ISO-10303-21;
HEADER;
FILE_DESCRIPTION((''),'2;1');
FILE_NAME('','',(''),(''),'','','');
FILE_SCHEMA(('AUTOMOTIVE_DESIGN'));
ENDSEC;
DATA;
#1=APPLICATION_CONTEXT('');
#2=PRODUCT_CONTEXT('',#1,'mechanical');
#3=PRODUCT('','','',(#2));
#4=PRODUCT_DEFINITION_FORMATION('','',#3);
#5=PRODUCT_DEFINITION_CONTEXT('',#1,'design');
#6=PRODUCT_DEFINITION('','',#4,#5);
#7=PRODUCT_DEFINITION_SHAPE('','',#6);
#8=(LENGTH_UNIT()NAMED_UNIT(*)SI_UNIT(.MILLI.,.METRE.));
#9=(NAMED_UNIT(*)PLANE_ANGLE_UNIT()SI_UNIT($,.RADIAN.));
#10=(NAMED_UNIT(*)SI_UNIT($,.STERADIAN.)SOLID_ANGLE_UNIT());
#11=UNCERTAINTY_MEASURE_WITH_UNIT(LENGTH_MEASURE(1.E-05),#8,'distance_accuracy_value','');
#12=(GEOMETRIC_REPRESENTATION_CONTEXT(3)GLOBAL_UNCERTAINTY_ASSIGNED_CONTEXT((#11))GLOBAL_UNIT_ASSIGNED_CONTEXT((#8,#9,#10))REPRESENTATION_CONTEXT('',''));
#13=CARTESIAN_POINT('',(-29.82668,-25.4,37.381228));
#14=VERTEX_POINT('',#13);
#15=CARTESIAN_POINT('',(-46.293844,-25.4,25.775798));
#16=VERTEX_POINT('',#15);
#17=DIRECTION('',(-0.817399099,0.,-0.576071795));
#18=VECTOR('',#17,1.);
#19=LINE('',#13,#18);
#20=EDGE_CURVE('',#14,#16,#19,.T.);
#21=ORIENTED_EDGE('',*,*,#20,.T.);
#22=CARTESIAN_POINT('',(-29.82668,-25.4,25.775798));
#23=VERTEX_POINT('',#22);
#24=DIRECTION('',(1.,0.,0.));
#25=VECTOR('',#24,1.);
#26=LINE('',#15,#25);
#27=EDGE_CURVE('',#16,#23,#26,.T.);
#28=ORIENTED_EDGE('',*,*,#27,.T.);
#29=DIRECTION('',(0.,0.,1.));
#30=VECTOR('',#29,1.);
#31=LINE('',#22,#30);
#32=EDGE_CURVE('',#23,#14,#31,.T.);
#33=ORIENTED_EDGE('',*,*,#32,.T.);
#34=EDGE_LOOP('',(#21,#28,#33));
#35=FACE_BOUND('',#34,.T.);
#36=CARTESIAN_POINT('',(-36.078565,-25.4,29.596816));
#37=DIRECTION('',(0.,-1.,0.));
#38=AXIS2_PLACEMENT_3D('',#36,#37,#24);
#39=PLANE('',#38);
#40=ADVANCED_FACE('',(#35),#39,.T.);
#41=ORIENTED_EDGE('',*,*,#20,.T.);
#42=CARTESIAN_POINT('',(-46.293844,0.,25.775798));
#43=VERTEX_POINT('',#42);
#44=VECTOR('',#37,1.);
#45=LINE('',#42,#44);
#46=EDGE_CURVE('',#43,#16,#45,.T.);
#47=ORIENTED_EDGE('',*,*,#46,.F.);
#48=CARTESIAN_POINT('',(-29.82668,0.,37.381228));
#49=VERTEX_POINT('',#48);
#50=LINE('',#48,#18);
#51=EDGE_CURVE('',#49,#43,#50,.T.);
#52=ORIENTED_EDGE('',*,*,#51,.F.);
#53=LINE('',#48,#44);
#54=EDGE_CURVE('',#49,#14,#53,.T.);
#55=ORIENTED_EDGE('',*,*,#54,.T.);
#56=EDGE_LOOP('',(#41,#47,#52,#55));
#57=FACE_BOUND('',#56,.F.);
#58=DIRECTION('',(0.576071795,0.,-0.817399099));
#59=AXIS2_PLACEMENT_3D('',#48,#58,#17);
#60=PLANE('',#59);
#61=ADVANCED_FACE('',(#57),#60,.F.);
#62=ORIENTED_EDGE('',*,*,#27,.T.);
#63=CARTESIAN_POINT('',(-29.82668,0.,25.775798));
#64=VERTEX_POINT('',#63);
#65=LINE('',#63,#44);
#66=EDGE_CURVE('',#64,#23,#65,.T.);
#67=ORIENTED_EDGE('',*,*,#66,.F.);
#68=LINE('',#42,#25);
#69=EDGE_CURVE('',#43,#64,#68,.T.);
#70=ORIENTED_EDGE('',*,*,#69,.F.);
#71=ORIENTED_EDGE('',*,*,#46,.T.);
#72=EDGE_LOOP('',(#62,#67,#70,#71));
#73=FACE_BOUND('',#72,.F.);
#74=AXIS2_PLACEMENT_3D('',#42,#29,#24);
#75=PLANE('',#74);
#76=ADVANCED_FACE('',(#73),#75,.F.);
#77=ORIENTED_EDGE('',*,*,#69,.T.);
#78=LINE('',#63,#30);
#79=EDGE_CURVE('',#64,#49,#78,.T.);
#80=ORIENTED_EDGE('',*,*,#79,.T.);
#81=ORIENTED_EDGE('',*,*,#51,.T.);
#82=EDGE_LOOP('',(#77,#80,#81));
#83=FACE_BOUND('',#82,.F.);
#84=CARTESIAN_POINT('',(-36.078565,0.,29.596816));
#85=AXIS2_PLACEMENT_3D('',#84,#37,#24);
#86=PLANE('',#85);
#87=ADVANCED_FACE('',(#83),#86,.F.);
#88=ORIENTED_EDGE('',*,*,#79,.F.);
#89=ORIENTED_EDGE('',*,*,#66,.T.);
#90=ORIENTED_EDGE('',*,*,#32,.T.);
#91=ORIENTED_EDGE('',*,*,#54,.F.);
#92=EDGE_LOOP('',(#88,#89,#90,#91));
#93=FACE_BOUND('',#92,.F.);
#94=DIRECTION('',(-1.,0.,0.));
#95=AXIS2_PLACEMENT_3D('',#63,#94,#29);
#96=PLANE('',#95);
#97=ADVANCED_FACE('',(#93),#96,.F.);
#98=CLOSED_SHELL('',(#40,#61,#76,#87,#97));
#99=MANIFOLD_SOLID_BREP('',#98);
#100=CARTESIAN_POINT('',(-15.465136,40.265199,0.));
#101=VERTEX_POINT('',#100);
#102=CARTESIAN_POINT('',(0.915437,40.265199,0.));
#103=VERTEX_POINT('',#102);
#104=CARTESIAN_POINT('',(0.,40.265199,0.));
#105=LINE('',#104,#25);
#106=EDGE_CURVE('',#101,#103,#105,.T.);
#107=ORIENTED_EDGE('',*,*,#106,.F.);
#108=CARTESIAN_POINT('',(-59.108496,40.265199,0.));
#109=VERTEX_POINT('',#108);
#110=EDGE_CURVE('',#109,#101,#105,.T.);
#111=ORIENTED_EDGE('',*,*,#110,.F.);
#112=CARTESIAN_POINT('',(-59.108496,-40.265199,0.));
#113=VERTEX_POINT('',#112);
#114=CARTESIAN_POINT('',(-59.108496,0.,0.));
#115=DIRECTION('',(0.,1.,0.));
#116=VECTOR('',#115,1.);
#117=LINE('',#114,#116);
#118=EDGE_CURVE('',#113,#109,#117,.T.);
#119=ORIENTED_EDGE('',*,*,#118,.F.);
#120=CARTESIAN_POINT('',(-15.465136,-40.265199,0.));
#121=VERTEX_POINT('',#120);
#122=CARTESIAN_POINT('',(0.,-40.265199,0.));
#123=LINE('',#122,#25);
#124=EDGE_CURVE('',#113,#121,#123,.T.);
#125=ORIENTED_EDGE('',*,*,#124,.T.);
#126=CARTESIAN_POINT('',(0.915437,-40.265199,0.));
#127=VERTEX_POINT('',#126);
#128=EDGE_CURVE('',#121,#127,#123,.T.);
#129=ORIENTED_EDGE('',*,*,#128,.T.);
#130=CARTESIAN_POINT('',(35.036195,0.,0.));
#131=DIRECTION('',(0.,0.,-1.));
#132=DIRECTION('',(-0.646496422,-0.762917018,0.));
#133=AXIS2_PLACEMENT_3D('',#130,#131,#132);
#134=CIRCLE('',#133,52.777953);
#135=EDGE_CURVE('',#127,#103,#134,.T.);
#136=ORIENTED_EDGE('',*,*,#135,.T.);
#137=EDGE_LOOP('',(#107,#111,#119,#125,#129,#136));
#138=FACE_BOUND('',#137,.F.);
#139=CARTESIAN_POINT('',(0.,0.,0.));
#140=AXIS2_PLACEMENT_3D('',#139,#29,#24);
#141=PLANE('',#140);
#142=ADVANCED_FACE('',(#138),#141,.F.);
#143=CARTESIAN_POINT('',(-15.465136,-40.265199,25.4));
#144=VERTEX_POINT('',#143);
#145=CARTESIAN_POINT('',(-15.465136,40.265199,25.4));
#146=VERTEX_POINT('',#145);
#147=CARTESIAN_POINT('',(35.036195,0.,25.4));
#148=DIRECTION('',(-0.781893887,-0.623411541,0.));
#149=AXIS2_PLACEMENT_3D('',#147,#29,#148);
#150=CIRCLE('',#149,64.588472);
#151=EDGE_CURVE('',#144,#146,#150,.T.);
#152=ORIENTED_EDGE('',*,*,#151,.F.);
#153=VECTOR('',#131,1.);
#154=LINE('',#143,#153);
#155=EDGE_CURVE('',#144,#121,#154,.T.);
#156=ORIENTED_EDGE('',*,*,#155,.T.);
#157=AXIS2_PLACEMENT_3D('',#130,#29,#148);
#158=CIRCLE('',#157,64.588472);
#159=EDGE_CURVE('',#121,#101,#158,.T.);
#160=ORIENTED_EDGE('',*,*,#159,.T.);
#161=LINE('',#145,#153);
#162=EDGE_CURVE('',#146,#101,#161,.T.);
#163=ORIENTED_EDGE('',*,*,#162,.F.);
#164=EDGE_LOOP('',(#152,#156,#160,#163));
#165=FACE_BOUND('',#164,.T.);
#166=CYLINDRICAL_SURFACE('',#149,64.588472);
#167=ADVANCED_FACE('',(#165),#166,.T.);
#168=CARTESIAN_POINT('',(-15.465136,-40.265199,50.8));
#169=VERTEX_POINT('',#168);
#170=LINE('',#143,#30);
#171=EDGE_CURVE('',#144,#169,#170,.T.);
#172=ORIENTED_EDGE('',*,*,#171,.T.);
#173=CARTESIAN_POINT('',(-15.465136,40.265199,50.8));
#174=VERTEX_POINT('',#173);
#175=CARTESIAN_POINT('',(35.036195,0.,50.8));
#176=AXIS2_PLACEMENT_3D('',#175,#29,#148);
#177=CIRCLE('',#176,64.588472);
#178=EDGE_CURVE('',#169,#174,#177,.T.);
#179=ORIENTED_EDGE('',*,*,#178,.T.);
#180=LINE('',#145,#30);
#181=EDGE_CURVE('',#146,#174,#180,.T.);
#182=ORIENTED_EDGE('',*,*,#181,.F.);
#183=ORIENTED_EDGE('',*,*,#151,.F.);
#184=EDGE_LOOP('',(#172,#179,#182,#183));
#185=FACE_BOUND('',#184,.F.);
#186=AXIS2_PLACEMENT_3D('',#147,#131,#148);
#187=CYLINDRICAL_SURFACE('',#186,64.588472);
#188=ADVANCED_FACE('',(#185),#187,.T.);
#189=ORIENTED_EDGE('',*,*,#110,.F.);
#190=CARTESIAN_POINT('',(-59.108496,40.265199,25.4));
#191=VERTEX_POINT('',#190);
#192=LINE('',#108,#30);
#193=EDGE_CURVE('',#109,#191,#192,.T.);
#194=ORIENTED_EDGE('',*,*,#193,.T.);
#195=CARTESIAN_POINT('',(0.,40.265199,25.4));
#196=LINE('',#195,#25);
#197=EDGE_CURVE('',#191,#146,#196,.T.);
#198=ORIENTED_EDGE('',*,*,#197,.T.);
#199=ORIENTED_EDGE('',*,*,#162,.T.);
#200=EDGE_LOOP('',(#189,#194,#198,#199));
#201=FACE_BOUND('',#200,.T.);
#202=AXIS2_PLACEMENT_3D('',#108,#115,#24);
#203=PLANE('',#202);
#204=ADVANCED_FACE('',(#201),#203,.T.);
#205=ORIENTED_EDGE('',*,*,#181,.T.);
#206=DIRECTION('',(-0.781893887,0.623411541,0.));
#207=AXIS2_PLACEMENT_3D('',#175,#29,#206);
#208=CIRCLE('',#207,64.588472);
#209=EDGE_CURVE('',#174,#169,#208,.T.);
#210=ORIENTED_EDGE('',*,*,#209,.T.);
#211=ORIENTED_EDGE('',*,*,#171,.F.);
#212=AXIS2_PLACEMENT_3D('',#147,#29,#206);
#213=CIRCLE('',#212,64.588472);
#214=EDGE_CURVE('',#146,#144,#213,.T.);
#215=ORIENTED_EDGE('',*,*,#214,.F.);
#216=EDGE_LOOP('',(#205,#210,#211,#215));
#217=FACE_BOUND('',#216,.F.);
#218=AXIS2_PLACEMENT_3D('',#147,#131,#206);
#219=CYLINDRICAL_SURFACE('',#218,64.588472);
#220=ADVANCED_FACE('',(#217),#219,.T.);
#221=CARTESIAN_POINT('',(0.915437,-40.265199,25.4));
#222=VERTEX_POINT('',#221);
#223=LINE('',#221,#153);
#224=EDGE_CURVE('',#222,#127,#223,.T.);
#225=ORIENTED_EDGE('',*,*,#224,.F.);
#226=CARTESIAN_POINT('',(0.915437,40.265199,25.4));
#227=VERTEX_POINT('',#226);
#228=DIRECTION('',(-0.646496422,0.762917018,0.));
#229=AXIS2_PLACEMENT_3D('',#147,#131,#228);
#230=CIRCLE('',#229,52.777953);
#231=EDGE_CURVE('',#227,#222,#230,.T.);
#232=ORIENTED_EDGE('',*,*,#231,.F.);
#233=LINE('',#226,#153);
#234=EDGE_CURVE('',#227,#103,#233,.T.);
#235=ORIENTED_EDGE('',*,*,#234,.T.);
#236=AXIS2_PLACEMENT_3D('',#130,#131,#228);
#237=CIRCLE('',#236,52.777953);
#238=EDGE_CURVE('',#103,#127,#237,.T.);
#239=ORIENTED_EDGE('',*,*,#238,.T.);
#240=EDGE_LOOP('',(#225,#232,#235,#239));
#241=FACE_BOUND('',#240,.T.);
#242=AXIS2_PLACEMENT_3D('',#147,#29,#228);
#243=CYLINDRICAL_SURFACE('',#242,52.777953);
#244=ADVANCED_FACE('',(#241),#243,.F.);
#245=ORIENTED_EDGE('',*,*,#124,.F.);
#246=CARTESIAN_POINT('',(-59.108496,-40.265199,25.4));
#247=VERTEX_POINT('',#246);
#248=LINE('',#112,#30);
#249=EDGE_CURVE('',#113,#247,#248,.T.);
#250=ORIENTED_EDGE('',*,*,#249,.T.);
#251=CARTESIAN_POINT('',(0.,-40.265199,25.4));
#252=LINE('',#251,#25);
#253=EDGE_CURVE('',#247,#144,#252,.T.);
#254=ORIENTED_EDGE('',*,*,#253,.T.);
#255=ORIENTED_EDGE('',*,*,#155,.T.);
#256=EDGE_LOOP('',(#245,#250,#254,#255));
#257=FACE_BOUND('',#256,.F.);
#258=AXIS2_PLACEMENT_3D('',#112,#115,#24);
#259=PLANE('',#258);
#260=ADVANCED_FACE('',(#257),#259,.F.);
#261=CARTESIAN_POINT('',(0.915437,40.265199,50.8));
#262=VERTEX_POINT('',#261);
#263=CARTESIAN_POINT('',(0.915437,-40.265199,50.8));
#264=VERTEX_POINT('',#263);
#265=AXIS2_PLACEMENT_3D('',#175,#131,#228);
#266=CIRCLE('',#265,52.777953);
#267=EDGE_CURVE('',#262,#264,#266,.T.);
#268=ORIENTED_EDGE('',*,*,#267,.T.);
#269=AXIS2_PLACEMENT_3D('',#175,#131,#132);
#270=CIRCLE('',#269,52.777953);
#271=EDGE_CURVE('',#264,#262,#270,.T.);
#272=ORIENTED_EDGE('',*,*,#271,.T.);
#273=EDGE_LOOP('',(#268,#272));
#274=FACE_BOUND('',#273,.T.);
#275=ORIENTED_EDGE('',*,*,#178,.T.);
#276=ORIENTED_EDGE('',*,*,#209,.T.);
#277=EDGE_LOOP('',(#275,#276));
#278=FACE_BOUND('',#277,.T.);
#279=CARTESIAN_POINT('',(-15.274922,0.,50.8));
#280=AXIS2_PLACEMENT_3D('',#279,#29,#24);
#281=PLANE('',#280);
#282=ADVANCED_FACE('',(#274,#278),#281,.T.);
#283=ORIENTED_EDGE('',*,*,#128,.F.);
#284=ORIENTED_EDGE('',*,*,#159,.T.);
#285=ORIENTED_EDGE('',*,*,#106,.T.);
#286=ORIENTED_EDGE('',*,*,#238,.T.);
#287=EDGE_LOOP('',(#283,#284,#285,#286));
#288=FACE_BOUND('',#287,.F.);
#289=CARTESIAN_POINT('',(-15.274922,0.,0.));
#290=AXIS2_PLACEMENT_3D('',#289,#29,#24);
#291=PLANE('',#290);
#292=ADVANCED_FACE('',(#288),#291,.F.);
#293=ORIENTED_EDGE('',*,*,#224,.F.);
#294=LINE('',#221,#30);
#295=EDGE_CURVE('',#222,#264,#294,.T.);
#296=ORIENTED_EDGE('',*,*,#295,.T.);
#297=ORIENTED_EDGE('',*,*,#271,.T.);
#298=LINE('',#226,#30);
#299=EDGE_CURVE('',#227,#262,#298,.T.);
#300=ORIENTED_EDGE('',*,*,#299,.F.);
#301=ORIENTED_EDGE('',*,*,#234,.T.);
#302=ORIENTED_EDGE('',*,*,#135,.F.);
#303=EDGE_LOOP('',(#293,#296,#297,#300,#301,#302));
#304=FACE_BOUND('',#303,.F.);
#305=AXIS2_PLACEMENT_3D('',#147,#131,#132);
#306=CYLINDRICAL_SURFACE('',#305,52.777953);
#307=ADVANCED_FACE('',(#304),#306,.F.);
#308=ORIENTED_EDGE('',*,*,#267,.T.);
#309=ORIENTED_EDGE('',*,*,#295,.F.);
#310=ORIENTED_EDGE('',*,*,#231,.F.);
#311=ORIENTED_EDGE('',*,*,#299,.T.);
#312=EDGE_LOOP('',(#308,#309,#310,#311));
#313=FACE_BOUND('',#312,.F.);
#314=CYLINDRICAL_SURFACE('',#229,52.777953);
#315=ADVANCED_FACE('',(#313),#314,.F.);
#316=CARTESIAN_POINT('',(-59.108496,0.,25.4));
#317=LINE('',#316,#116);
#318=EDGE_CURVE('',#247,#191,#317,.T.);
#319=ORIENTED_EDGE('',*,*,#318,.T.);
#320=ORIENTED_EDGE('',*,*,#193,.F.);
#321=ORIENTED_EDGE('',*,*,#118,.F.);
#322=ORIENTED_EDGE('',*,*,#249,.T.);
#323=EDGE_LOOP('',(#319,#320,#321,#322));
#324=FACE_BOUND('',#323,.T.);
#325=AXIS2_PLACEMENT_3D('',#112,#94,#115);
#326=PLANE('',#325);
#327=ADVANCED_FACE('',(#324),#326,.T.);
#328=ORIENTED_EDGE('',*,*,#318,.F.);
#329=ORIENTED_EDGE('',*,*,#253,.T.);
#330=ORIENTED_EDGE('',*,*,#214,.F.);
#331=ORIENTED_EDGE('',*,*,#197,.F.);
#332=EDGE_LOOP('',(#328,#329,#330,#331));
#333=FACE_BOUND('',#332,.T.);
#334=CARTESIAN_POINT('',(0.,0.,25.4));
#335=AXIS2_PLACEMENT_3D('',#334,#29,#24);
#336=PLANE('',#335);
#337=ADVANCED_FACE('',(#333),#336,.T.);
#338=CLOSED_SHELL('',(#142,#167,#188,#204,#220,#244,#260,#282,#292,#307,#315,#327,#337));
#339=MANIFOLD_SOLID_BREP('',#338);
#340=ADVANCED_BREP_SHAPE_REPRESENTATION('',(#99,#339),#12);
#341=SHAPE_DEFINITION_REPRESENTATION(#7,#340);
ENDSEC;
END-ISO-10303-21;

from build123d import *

# Parameters (mm, degrees)
F0_W     = 118.2169914246
F0_H     = 80.530397594
F1_DEPTH = 25.4
F3_DEPTH = 25.4
F4_DEPTH = 25.4
F5_DEPTH = 25.4
F7_DEPTH = 25.4


with BuildPart() as f1:
    # F0 (on Top) → F1 (new body)
    with BuildSketch(Plane.XY):
        Rectangle(F0_W, F0_H)
    extrude(amount=F1_DEPTH)

    # F2 (on face) → F3 (join)
    with BuildSketch(Plane.XY.offset(25.4)):
        with BuildLine():
            Line((0.9154370802, 40.265198797), (-15.4651362706, 40.265198797))
            ThreePointArc((-15.4651362706, 40.265198797), (-29.552276822, 0), (-15.4651362706, -40.265198797))
            Line((-15.4651362706, -40.265198797), (0.9154370802, -40.265198797))
            ThreePointArc((0.9154370802, -40.265198797), (-17.7417582816, 0), (0.9154370802, 40.265198797))
        make_face()
        with BuildLine():
            ThreePointArc((-15.4651362706, -40.265198797), (56.3653638478, -60.9650494998), (99.6246669611, 0))
            ThreePointArc((99.6246669611, 0), (56.3653638478, 60.9650494998), (-15.4651362706, 40.265198797))
            Line((-15.4651362706, 40.265198797), (0.9154370802, 40.265198797))
            ThreePointArc((0.9154370802, 40.265198797), (57.2250276939, 47.8870344321), (87.8141484207, 0))
            ThreePointArc((87.8141484207, 0), (57.2250276939, -47.8870344321), (0.9154370802, -40.265198797))
            Line((0.9154370802, -40.265198797), (-15.4651362706, -40.265198797))
        make_face()
    extrude(amount=F3_DEPTH)

    # F4 (cut): a face of the model
    f4_faces = [f1.faces().sort_by_distance(p)[0] for p in [
        (23.3312855694, 0, 25.4),
    ]]
    extrude(f4_faces, amount=-F4_DEPTH, mode=Mode.SUBTRACT)

    # F5 (add): a face of the model
    f5_faces = [f1.faces().sort_by_distance(p)[0] for p in [
        (-7.2748495952, 41.9952954883, 25.4),
    ]]
    extrude(f5_faces, amount=F5_DEPTH)


with BuildPart() as f7:
    # F6 (on Front) → F7 (new body)
    with BuildSketch(Plane.XZ):
        Polygon((-29.8266801983, 25.7757976651), (-29.8266801983, 37.3812280595), (-46.2938435376, 25.7757976651), align=None)
    extrude(amount=F7_DEPTH)


solid = Compound([f1.part, f7.part])
